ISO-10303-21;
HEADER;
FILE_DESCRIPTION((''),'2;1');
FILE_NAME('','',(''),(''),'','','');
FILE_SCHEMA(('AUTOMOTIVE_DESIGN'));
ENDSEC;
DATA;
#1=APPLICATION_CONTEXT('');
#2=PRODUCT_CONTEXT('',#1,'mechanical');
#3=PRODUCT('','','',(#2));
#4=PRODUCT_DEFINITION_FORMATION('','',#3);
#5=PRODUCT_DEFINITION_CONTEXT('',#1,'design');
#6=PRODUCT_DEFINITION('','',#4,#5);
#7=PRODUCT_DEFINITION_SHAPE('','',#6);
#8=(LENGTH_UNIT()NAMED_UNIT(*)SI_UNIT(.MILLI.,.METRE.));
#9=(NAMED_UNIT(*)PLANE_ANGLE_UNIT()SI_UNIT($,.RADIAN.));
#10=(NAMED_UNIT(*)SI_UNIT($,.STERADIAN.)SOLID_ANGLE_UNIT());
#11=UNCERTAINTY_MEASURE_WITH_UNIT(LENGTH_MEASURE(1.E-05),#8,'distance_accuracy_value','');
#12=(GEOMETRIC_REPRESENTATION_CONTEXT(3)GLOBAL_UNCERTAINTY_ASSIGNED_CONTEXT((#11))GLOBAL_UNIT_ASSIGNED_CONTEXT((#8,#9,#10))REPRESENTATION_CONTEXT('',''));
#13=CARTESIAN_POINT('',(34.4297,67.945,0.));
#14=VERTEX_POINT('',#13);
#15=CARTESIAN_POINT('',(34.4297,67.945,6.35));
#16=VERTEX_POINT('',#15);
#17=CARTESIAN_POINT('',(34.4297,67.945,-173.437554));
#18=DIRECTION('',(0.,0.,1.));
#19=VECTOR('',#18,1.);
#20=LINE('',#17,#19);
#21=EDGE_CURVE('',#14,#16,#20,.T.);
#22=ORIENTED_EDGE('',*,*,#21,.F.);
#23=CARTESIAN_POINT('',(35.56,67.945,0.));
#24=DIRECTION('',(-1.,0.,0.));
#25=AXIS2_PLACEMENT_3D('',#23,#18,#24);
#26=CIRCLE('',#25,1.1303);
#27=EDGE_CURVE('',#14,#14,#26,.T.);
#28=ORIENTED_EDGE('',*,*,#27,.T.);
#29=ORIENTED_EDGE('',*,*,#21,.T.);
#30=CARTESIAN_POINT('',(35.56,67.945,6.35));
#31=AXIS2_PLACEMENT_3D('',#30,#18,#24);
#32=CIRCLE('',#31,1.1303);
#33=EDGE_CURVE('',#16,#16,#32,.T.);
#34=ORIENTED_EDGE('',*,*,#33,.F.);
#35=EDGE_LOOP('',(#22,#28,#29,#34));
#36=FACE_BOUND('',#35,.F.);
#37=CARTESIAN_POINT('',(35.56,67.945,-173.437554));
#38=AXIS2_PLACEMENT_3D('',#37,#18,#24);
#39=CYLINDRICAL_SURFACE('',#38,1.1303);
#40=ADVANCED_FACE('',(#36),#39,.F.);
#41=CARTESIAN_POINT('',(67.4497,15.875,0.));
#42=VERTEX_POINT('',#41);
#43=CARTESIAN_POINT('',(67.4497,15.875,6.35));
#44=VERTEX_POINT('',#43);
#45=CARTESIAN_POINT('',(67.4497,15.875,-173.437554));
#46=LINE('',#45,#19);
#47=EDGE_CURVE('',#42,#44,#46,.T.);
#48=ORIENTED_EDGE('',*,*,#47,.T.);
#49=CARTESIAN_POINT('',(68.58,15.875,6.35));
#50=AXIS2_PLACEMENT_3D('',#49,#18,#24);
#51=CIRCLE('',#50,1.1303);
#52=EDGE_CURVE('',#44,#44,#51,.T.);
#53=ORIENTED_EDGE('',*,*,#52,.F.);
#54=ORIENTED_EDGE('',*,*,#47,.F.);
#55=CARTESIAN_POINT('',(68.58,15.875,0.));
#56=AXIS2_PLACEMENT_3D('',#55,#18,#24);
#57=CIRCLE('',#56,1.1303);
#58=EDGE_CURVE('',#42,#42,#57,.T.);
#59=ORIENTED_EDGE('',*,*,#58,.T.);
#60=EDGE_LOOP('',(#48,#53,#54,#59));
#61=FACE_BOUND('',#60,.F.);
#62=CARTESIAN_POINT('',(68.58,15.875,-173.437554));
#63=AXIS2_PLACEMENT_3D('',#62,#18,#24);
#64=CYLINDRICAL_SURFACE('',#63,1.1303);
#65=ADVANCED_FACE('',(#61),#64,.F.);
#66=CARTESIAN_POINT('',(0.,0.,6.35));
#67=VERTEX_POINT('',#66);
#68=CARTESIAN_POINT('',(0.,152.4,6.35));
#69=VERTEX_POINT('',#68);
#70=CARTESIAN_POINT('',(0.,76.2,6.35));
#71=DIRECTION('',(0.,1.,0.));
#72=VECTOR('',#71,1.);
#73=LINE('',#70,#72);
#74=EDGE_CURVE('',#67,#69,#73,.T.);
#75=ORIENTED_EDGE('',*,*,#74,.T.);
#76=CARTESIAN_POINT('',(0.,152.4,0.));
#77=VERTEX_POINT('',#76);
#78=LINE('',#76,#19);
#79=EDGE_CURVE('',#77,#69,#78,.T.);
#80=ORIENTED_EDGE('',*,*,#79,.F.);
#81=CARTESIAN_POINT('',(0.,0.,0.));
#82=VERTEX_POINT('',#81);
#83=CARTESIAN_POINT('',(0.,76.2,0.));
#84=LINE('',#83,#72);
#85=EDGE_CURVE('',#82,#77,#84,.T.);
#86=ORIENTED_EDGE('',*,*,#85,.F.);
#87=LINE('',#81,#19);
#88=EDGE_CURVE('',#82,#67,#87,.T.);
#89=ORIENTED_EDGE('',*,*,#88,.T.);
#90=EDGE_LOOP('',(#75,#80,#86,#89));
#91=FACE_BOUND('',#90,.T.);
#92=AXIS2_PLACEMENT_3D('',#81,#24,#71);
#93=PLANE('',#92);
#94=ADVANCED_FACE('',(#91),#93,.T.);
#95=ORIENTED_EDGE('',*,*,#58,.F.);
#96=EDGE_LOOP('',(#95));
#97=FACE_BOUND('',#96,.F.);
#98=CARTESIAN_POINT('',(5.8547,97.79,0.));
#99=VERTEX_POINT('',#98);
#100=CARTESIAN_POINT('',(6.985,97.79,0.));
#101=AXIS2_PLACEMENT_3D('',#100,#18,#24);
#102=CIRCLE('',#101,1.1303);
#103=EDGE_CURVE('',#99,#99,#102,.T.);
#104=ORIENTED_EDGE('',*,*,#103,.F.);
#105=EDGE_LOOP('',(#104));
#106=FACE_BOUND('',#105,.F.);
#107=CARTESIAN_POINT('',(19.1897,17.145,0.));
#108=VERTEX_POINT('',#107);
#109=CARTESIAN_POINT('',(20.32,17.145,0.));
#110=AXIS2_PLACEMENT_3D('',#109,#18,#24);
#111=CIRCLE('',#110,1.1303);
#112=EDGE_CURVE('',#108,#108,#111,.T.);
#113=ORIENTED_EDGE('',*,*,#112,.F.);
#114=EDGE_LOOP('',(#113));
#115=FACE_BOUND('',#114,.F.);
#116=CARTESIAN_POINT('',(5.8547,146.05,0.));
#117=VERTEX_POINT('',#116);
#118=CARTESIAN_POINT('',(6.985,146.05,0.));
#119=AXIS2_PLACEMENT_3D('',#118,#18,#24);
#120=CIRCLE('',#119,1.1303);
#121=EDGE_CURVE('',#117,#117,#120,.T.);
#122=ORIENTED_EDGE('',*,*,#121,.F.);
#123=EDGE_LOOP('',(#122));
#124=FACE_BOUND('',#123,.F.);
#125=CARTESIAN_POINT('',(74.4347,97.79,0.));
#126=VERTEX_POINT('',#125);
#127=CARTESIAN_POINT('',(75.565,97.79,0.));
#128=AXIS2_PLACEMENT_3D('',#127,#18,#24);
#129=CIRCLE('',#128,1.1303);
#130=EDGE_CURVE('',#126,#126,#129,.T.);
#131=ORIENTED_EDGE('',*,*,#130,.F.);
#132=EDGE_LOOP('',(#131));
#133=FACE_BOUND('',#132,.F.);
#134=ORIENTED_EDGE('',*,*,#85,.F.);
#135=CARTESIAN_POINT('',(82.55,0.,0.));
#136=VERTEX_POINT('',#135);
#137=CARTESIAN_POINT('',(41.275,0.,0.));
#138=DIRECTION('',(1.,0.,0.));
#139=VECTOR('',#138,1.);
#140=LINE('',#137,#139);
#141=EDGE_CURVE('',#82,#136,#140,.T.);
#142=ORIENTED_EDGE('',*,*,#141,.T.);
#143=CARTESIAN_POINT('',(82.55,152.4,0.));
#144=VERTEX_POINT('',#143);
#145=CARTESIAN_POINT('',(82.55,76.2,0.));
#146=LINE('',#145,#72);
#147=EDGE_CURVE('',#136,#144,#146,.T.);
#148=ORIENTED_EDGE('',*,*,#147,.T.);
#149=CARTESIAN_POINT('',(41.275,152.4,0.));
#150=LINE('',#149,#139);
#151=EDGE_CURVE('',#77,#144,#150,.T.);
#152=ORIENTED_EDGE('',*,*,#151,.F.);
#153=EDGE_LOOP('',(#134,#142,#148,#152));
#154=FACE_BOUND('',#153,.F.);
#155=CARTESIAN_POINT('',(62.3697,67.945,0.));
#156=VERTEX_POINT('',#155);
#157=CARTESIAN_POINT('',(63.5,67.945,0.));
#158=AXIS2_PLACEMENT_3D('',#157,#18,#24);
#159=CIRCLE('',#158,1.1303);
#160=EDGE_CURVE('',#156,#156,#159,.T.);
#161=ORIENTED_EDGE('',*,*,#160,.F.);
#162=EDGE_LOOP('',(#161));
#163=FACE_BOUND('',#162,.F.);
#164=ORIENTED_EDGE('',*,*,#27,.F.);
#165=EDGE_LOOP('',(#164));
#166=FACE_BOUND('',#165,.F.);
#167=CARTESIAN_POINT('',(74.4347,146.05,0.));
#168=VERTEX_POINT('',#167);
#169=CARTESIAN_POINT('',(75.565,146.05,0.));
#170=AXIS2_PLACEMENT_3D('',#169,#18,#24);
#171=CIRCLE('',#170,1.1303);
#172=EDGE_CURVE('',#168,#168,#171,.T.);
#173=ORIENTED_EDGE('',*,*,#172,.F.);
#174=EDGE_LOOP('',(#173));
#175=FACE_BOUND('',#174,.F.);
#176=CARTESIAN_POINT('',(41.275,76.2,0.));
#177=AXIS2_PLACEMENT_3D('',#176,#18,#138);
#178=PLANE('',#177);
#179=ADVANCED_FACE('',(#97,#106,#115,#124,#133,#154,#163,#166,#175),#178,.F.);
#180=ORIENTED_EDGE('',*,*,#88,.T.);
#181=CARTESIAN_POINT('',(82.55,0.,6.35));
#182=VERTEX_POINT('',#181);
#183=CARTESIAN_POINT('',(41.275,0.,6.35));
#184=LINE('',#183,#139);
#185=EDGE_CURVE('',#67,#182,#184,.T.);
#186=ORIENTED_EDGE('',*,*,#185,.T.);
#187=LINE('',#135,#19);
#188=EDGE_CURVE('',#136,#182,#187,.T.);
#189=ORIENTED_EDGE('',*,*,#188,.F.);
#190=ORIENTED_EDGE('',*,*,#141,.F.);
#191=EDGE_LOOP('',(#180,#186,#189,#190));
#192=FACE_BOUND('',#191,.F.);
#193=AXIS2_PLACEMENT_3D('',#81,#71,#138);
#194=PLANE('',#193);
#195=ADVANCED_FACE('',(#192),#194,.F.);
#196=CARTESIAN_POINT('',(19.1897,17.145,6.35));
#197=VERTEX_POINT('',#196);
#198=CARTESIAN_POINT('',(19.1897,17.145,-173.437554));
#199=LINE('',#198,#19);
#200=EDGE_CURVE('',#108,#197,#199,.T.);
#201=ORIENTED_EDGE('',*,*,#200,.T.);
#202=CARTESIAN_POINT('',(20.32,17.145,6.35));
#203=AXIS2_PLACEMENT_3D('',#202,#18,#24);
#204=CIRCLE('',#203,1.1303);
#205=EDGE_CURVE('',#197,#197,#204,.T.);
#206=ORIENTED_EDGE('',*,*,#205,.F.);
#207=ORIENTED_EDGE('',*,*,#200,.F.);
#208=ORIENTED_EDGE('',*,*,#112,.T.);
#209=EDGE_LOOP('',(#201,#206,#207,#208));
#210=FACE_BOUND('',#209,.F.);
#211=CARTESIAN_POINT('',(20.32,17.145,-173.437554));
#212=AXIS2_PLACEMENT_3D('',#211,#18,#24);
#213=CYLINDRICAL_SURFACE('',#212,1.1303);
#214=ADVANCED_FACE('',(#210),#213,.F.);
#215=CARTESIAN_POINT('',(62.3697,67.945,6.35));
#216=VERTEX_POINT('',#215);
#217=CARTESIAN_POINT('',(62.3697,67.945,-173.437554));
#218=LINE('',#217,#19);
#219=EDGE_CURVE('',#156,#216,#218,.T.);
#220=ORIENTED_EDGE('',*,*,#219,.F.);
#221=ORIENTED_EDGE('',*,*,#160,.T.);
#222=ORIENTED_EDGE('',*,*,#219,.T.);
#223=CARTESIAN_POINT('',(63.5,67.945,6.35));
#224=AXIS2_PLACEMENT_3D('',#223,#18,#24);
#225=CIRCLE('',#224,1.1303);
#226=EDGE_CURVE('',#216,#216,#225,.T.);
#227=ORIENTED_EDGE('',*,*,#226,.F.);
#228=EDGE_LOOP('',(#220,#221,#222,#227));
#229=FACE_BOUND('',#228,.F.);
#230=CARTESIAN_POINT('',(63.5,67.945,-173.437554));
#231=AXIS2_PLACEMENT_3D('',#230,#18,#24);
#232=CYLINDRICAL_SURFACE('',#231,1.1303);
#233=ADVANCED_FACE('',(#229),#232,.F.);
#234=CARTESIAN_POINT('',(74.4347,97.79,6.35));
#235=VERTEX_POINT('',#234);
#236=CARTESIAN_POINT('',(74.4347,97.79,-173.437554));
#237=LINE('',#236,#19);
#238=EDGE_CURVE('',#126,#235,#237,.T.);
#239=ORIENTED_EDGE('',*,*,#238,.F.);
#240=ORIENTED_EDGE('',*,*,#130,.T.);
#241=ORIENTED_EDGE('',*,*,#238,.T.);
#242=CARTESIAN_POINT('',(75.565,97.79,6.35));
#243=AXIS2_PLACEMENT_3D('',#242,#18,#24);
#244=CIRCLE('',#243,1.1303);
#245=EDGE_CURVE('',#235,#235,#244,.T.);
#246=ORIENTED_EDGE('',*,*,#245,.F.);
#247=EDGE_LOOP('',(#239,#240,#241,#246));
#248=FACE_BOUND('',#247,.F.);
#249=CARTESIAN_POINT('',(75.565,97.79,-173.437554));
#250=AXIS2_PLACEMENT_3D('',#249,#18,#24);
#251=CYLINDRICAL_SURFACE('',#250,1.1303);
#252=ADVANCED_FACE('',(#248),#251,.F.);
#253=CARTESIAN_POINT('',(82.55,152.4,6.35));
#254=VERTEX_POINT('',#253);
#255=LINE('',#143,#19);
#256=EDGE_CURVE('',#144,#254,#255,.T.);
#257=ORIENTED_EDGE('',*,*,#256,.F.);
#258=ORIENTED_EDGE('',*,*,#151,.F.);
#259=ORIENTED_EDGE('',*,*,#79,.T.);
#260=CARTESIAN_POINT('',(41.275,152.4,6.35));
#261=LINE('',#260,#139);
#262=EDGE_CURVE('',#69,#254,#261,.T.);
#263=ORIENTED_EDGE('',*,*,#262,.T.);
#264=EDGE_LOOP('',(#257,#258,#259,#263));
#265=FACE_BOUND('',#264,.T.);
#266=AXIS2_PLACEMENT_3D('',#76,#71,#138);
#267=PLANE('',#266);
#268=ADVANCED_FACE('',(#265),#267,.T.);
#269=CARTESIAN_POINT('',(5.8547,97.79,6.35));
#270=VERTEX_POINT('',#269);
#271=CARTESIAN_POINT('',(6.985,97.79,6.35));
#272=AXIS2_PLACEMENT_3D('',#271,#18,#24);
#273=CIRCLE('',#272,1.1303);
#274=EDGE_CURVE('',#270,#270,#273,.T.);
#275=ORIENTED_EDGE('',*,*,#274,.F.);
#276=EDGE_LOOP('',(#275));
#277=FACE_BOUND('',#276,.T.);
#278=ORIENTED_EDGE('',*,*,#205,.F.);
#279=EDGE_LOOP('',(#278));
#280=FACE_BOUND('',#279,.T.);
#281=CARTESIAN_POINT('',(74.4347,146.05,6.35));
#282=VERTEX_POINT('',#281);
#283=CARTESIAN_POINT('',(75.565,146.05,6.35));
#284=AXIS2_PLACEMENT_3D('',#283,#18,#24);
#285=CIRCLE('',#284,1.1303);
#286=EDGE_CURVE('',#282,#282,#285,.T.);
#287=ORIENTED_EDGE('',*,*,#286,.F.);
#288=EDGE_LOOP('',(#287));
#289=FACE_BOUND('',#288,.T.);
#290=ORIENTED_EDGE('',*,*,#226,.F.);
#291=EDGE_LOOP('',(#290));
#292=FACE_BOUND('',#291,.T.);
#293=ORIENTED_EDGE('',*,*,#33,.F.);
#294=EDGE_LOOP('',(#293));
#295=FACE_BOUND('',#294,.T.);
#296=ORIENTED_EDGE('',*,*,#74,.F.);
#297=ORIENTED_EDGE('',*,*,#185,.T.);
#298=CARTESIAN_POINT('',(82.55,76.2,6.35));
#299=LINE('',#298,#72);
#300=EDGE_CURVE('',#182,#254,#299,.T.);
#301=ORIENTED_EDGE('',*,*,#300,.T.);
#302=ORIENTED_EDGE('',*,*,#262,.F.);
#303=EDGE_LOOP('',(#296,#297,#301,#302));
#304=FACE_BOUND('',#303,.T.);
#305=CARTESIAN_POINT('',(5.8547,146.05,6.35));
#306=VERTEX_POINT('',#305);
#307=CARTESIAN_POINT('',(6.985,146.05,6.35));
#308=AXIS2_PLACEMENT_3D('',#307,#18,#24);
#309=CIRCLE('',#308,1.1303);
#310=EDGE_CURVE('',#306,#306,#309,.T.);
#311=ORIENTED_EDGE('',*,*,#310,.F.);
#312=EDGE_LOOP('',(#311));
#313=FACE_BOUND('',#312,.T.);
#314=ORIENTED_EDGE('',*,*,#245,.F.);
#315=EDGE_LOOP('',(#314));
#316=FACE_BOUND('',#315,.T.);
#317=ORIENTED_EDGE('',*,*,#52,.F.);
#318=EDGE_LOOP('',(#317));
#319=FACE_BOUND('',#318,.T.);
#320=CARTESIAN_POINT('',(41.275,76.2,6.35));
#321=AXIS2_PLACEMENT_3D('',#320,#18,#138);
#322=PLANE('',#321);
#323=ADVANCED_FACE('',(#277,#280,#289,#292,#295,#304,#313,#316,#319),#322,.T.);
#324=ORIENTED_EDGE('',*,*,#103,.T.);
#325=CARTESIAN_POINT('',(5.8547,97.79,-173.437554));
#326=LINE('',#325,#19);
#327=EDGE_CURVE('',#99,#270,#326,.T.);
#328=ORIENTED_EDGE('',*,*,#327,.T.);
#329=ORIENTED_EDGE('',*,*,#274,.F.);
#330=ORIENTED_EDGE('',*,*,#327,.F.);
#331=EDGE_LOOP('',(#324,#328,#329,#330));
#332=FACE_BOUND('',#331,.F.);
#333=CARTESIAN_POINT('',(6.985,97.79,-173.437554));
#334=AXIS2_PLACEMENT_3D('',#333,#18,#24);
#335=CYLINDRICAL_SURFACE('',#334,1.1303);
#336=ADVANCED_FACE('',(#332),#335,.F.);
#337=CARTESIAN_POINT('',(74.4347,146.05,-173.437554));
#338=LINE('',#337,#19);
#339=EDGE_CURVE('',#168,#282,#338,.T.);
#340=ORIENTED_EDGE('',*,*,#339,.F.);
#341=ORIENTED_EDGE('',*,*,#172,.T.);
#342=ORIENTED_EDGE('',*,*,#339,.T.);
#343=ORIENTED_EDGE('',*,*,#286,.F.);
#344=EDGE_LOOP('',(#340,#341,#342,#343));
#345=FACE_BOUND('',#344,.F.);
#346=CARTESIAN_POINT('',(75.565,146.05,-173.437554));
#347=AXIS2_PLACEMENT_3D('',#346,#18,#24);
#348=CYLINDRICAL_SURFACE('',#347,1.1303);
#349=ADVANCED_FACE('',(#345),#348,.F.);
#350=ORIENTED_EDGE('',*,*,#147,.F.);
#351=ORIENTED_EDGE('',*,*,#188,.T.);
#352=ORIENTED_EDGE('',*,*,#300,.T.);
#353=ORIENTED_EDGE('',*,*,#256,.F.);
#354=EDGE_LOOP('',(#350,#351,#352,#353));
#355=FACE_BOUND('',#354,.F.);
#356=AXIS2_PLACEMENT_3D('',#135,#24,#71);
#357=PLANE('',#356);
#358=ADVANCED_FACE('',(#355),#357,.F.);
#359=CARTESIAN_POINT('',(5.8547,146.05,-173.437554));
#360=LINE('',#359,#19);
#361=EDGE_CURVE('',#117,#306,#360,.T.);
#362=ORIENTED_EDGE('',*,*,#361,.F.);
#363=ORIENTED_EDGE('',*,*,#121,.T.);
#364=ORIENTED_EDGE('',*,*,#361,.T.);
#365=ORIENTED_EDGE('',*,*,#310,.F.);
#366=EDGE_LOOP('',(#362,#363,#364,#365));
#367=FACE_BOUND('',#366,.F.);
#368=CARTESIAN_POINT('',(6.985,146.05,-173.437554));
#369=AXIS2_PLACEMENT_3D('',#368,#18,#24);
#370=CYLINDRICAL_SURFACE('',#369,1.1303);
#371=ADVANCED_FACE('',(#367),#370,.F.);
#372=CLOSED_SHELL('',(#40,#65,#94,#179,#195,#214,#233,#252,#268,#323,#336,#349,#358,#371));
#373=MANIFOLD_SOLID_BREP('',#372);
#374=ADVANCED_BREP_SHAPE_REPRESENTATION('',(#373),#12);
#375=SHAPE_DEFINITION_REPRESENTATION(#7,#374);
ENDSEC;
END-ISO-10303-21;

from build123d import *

# Parameters (mm, degrees)
F0_W     = 82.55
F0_H     = 152.4
F1_DEPTH = 6.35
F3_D     = 2.2606


with BuildPart() as f1:
    # F0 (on Top) → F1 (new body)
    with BuildSketch(Plane.XY):
        with Locations((41.275, 76.2)):
            Rectangle(F0_W, F0_H)
    extrude(amount=F1_DEPTH)

    # F3 (through all)
    with Locations(Plane(origin=(0, 0, 0), x_dir=(1, 0, 0), z_dir=(0, 0, -1))):
        with Locations((6.985, -97.79), (6.985, -146.05), (75.565, -146.05), (75.565, -97.79), (35.56, -67.945), (63.5, -67.945), (20.32, -17.145), (68.58, -15.875)):
            Hole(F3_D / 2)


solid = f1.part
